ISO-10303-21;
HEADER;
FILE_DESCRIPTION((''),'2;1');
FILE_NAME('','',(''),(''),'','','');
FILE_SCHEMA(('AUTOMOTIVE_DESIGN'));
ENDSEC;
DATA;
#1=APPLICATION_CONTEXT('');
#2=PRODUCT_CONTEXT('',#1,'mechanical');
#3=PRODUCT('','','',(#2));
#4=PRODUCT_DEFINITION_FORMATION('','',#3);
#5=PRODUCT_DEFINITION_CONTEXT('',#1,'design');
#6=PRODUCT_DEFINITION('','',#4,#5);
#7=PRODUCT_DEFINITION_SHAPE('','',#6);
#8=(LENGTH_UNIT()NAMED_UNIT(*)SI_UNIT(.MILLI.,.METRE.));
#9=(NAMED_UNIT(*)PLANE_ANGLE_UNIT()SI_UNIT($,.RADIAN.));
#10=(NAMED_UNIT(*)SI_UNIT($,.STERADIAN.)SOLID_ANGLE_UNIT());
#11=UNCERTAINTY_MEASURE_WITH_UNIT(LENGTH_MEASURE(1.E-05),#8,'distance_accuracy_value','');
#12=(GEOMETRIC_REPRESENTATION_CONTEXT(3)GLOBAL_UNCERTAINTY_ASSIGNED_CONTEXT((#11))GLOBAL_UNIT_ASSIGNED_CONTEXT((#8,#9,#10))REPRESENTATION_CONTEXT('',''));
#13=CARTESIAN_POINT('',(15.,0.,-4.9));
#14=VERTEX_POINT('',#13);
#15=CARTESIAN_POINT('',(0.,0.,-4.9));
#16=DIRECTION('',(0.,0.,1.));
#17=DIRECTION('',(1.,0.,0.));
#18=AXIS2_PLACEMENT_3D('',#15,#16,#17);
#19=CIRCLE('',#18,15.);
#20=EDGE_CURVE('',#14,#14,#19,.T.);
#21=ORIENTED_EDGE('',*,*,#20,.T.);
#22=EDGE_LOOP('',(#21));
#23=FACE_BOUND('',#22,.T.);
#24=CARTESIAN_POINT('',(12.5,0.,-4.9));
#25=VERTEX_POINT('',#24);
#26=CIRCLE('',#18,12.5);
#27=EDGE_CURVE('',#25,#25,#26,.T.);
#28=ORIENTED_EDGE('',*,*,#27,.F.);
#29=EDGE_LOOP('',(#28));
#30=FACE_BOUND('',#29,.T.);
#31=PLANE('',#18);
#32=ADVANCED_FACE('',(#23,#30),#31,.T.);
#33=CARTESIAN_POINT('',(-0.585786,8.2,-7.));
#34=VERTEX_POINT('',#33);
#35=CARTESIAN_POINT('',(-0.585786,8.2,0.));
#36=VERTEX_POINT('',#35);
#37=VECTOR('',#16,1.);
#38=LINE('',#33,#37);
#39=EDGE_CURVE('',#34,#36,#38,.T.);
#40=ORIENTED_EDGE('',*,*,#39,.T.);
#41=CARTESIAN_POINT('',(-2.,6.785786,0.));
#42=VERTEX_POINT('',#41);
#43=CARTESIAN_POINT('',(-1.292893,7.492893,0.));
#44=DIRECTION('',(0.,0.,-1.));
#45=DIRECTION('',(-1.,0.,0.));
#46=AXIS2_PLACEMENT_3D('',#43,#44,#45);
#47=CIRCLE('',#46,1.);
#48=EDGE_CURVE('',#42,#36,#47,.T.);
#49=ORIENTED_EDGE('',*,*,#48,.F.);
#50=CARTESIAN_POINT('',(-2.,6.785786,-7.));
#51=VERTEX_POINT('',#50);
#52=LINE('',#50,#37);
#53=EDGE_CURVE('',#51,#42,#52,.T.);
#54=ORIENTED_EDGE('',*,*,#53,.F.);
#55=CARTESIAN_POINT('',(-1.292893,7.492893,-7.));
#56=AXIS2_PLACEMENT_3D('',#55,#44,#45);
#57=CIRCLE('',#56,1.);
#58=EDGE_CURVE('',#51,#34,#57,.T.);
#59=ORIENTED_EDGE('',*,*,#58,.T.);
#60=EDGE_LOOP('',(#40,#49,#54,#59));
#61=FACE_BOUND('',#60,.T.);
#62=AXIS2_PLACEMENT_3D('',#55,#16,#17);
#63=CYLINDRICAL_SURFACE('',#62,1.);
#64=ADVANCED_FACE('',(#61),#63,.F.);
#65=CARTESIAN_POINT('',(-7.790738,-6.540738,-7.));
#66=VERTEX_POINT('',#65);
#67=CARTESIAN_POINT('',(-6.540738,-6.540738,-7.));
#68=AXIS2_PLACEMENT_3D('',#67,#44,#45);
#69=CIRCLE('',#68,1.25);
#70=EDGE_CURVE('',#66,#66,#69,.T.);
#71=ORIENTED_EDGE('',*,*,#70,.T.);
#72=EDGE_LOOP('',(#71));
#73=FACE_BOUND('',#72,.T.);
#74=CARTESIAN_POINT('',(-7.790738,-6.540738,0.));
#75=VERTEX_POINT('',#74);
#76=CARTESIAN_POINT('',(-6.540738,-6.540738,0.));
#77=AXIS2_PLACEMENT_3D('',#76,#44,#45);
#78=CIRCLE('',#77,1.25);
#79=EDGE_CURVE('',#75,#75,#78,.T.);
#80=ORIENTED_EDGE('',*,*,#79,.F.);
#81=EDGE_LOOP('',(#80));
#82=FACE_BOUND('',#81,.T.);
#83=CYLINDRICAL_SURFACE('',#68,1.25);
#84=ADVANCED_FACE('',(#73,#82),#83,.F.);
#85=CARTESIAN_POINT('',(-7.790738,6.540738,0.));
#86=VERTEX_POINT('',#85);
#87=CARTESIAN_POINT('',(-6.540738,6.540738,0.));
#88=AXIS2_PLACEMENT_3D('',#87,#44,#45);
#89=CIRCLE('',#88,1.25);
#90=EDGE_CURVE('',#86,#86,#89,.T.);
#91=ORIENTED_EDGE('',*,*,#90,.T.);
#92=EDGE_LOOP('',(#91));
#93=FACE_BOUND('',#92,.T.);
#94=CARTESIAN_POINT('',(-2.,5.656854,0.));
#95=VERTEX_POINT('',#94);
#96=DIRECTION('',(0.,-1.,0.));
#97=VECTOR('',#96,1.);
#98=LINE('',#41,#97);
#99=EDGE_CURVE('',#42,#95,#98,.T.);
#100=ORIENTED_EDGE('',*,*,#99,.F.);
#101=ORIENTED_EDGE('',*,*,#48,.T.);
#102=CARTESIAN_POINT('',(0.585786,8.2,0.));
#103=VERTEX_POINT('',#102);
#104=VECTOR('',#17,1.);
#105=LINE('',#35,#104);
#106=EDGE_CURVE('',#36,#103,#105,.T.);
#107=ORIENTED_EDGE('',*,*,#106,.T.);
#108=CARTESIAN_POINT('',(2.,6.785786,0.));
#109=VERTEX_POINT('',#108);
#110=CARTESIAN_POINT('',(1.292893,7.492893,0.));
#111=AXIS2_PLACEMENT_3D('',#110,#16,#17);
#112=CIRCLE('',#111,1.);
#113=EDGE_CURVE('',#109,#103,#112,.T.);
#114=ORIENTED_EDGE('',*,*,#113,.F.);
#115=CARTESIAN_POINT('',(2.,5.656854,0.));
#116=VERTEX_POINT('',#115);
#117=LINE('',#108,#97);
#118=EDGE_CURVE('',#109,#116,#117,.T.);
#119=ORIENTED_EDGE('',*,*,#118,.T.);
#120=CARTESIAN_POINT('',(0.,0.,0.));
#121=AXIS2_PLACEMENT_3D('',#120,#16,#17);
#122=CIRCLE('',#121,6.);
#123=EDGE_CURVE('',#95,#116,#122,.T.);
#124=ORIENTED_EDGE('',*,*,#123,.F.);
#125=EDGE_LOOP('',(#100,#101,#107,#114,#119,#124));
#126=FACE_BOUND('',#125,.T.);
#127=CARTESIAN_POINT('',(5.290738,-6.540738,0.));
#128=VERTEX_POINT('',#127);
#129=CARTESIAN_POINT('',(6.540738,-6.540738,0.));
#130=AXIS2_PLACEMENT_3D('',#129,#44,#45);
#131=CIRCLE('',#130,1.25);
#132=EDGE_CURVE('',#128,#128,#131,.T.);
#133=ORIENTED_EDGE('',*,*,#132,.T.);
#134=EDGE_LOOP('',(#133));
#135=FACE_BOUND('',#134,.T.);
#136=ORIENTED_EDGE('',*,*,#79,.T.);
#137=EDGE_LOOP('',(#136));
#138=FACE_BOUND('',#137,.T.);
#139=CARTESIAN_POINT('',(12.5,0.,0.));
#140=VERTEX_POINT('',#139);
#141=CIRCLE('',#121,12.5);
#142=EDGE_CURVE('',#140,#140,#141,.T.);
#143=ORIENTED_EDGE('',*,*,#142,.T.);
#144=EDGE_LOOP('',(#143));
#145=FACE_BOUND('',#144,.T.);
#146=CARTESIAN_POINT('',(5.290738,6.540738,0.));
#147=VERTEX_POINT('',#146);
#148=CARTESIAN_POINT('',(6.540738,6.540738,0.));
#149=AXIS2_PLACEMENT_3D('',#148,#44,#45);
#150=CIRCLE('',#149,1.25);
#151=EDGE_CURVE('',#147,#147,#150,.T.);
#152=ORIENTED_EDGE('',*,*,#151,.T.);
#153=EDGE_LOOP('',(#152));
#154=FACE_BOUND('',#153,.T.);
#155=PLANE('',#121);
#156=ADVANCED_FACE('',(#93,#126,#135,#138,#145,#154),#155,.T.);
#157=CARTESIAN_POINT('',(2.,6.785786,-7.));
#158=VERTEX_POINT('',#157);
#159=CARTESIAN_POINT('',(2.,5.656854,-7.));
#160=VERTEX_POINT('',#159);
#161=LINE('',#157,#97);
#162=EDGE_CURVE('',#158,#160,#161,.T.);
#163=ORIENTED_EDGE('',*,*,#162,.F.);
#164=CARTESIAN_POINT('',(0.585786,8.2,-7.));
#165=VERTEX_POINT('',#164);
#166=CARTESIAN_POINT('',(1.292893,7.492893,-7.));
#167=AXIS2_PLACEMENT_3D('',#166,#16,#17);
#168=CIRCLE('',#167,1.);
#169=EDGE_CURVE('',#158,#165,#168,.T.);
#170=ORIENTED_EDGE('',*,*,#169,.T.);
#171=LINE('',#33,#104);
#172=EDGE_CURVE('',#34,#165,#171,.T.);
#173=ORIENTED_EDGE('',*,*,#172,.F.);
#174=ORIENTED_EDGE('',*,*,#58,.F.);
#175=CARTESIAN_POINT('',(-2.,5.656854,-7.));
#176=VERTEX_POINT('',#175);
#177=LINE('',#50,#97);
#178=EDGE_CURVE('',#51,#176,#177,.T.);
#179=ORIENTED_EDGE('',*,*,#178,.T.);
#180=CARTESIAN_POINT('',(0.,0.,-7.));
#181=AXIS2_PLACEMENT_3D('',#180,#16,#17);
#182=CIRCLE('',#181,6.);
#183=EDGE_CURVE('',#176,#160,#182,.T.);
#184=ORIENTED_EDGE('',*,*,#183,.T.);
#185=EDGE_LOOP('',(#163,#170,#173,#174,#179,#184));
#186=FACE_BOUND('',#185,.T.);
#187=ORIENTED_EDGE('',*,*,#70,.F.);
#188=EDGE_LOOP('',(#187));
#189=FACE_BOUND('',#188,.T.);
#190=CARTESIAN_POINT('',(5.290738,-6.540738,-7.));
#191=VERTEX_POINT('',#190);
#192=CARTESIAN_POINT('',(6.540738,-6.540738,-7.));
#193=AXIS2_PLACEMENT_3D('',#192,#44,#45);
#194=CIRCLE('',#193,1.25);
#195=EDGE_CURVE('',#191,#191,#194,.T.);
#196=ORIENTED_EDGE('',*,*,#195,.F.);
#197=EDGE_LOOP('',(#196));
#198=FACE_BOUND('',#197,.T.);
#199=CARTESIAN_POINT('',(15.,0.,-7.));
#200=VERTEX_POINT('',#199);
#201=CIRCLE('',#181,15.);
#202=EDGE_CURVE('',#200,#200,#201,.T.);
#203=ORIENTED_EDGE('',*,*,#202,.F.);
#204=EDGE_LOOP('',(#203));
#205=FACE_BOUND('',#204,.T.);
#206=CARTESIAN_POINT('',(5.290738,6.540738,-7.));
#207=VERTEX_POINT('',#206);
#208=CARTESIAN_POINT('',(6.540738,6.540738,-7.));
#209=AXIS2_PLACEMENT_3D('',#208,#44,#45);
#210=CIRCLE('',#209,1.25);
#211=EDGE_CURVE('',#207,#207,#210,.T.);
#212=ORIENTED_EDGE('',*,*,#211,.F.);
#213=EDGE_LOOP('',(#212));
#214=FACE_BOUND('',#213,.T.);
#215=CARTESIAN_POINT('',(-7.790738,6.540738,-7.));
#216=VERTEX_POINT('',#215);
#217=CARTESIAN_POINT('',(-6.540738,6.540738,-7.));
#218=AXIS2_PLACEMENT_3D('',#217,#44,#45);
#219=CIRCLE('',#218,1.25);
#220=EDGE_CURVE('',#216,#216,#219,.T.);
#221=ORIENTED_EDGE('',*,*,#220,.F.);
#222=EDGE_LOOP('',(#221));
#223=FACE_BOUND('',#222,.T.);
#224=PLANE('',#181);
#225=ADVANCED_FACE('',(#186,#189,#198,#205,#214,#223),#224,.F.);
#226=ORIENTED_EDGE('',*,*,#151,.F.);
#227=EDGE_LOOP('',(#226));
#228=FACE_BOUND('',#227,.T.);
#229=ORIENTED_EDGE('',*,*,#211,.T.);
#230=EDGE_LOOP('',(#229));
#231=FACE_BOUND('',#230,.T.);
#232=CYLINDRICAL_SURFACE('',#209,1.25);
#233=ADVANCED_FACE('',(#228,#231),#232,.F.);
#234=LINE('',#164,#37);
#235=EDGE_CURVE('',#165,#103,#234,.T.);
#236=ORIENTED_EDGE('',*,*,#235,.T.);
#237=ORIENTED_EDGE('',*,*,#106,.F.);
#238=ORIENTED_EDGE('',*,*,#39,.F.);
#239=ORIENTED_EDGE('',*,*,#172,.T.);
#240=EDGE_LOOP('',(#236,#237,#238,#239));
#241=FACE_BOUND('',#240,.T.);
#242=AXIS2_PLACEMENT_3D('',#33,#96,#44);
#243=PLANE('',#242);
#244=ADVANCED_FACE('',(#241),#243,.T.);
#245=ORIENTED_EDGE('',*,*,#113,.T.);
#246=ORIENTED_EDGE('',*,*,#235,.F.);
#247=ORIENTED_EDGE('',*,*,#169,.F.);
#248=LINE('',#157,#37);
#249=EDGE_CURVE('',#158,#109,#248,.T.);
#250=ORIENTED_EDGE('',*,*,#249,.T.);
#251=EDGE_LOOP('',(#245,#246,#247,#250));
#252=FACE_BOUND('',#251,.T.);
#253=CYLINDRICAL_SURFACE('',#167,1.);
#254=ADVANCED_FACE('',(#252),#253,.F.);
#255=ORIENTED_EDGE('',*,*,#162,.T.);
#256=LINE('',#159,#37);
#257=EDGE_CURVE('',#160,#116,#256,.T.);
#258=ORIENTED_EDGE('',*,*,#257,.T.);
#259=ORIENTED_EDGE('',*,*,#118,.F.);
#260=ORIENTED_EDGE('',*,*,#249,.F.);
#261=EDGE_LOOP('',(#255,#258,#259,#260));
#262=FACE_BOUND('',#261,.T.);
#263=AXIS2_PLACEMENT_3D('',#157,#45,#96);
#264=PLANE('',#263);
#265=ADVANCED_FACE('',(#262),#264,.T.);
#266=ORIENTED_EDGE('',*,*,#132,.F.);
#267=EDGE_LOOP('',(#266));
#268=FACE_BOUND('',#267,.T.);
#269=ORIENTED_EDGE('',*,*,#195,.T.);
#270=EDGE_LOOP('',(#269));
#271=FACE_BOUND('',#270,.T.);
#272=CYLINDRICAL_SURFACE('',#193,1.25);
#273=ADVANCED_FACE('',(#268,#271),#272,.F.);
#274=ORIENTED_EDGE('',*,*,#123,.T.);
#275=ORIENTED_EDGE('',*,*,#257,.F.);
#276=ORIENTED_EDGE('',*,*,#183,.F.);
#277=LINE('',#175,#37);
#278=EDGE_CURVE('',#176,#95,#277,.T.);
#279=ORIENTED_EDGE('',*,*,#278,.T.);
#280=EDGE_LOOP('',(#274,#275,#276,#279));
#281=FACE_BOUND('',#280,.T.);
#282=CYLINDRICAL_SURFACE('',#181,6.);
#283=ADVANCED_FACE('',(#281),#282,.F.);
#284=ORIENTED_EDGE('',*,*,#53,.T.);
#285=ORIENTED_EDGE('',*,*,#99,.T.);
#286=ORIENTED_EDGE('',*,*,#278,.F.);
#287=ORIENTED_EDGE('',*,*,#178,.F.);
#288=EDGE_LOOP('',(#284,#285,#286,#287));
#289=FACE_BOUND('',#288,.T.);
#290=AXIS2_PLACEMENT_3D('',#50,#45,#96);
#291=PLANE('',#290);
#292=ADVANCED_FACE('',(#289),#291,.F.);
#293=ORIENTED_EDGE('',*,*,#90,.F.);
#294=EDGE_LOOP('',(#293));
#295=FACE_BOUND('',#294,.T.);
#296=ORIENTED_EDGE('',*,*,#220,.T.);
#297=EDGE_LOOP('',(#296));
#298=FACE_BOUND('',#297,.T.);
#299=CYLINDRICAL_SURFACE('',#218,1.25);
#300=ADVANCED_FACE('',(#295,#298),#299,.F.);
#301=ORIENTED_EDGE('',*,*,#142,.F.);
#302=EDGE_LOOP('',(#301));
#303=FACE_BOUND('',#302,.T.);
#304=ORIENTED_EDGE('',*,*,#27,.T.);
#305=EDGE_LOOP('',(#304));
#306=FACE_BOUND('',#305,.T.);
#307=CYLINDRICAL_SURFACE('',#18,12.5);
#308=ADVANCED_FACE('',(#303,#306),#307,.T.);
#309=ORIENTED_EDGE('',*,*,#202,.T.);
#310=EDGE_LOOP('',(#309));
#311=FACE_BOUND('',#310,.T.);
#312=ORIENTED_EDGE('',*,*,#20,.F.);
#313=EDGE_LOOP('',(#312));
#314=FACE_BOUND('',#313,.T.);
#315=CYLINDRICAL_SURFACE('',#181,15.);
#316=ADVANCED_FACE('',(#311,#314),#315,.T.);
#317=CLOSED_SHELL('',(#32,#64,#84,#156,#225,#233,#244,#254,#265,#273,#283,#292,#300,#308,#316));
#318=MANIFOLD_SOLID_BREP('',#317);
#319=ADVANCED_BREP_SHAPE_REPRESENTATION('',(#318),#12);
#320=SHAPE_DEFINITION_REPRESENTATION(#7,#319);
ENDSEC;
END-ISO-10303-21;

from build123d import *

# Parameters (mm, degrees)
SKETCH_1_12_R       = 15
EXTRUDE_2_DEPTH     = 7
SKETCH_1_13_R       = 15
SKETCH_1_13_R_2     = 12.5
CUT_EXTRUDE_5_DEPTH = 4.9
M3X0_5_2_D          = 2.5


with BuildPart() as part:
    # ｽｹｯﾁ1<12> → ﾎﾞｽ - 押し出し2 (new body)
    with BuildSketch(Plane.XY):
        Circle(SKETCH_1_12_R)
        with BuildLine():
            Line((-2, 6.785786438), (-2, 5.656854249))
            ThreePointArc((-2, 5.656854249), (0, -6), (2, 5.656854249))
            Line((2, 5.656854249), (2, 6.785786438))
            ThreePointArc((2, 6.785786438), (2, 8.2), (0.585786438, 8.2))
            Line((0.585786438, 8.2), (-0.585786438, 8.2))
            ThreePointArc((-0.585786438, 8.2), (-2, 8.2), (-2, 6.785786438))
        make_face(mode=Mode.SUBTRACT)
    extrude(amount=-EXTRUDE_2_DEPTH)

    # ｽｹｯﾁ1<13> → ｶｯﾄ - 押し出し5 (cut)
    with BuildSketch(Plane.XY):
        Circle(SKETCH_1_13_R)
        Circle(SKETCH_1_13_R_2, mode=Mode.SUBTRACT)
    extrude(amount=-CUT_EXTRUDE_5_DEPTH, mode=Mode.SUBTRACT)

    # M3x0.5 ねじ穴2 (through all)
    with Locations(Plane(origin=(-6.540737726, 6.540737726, -7), x_dir=(-1, 0, 0), z_dir=(0, 0, -1))):
        with Locations((0, 0), (0, -13.081475452), (-13.081475452, -13.081475452), (-13.081475452, 0)):
            Hole(M3X0_5_2_D / 2)


solid = part.part
